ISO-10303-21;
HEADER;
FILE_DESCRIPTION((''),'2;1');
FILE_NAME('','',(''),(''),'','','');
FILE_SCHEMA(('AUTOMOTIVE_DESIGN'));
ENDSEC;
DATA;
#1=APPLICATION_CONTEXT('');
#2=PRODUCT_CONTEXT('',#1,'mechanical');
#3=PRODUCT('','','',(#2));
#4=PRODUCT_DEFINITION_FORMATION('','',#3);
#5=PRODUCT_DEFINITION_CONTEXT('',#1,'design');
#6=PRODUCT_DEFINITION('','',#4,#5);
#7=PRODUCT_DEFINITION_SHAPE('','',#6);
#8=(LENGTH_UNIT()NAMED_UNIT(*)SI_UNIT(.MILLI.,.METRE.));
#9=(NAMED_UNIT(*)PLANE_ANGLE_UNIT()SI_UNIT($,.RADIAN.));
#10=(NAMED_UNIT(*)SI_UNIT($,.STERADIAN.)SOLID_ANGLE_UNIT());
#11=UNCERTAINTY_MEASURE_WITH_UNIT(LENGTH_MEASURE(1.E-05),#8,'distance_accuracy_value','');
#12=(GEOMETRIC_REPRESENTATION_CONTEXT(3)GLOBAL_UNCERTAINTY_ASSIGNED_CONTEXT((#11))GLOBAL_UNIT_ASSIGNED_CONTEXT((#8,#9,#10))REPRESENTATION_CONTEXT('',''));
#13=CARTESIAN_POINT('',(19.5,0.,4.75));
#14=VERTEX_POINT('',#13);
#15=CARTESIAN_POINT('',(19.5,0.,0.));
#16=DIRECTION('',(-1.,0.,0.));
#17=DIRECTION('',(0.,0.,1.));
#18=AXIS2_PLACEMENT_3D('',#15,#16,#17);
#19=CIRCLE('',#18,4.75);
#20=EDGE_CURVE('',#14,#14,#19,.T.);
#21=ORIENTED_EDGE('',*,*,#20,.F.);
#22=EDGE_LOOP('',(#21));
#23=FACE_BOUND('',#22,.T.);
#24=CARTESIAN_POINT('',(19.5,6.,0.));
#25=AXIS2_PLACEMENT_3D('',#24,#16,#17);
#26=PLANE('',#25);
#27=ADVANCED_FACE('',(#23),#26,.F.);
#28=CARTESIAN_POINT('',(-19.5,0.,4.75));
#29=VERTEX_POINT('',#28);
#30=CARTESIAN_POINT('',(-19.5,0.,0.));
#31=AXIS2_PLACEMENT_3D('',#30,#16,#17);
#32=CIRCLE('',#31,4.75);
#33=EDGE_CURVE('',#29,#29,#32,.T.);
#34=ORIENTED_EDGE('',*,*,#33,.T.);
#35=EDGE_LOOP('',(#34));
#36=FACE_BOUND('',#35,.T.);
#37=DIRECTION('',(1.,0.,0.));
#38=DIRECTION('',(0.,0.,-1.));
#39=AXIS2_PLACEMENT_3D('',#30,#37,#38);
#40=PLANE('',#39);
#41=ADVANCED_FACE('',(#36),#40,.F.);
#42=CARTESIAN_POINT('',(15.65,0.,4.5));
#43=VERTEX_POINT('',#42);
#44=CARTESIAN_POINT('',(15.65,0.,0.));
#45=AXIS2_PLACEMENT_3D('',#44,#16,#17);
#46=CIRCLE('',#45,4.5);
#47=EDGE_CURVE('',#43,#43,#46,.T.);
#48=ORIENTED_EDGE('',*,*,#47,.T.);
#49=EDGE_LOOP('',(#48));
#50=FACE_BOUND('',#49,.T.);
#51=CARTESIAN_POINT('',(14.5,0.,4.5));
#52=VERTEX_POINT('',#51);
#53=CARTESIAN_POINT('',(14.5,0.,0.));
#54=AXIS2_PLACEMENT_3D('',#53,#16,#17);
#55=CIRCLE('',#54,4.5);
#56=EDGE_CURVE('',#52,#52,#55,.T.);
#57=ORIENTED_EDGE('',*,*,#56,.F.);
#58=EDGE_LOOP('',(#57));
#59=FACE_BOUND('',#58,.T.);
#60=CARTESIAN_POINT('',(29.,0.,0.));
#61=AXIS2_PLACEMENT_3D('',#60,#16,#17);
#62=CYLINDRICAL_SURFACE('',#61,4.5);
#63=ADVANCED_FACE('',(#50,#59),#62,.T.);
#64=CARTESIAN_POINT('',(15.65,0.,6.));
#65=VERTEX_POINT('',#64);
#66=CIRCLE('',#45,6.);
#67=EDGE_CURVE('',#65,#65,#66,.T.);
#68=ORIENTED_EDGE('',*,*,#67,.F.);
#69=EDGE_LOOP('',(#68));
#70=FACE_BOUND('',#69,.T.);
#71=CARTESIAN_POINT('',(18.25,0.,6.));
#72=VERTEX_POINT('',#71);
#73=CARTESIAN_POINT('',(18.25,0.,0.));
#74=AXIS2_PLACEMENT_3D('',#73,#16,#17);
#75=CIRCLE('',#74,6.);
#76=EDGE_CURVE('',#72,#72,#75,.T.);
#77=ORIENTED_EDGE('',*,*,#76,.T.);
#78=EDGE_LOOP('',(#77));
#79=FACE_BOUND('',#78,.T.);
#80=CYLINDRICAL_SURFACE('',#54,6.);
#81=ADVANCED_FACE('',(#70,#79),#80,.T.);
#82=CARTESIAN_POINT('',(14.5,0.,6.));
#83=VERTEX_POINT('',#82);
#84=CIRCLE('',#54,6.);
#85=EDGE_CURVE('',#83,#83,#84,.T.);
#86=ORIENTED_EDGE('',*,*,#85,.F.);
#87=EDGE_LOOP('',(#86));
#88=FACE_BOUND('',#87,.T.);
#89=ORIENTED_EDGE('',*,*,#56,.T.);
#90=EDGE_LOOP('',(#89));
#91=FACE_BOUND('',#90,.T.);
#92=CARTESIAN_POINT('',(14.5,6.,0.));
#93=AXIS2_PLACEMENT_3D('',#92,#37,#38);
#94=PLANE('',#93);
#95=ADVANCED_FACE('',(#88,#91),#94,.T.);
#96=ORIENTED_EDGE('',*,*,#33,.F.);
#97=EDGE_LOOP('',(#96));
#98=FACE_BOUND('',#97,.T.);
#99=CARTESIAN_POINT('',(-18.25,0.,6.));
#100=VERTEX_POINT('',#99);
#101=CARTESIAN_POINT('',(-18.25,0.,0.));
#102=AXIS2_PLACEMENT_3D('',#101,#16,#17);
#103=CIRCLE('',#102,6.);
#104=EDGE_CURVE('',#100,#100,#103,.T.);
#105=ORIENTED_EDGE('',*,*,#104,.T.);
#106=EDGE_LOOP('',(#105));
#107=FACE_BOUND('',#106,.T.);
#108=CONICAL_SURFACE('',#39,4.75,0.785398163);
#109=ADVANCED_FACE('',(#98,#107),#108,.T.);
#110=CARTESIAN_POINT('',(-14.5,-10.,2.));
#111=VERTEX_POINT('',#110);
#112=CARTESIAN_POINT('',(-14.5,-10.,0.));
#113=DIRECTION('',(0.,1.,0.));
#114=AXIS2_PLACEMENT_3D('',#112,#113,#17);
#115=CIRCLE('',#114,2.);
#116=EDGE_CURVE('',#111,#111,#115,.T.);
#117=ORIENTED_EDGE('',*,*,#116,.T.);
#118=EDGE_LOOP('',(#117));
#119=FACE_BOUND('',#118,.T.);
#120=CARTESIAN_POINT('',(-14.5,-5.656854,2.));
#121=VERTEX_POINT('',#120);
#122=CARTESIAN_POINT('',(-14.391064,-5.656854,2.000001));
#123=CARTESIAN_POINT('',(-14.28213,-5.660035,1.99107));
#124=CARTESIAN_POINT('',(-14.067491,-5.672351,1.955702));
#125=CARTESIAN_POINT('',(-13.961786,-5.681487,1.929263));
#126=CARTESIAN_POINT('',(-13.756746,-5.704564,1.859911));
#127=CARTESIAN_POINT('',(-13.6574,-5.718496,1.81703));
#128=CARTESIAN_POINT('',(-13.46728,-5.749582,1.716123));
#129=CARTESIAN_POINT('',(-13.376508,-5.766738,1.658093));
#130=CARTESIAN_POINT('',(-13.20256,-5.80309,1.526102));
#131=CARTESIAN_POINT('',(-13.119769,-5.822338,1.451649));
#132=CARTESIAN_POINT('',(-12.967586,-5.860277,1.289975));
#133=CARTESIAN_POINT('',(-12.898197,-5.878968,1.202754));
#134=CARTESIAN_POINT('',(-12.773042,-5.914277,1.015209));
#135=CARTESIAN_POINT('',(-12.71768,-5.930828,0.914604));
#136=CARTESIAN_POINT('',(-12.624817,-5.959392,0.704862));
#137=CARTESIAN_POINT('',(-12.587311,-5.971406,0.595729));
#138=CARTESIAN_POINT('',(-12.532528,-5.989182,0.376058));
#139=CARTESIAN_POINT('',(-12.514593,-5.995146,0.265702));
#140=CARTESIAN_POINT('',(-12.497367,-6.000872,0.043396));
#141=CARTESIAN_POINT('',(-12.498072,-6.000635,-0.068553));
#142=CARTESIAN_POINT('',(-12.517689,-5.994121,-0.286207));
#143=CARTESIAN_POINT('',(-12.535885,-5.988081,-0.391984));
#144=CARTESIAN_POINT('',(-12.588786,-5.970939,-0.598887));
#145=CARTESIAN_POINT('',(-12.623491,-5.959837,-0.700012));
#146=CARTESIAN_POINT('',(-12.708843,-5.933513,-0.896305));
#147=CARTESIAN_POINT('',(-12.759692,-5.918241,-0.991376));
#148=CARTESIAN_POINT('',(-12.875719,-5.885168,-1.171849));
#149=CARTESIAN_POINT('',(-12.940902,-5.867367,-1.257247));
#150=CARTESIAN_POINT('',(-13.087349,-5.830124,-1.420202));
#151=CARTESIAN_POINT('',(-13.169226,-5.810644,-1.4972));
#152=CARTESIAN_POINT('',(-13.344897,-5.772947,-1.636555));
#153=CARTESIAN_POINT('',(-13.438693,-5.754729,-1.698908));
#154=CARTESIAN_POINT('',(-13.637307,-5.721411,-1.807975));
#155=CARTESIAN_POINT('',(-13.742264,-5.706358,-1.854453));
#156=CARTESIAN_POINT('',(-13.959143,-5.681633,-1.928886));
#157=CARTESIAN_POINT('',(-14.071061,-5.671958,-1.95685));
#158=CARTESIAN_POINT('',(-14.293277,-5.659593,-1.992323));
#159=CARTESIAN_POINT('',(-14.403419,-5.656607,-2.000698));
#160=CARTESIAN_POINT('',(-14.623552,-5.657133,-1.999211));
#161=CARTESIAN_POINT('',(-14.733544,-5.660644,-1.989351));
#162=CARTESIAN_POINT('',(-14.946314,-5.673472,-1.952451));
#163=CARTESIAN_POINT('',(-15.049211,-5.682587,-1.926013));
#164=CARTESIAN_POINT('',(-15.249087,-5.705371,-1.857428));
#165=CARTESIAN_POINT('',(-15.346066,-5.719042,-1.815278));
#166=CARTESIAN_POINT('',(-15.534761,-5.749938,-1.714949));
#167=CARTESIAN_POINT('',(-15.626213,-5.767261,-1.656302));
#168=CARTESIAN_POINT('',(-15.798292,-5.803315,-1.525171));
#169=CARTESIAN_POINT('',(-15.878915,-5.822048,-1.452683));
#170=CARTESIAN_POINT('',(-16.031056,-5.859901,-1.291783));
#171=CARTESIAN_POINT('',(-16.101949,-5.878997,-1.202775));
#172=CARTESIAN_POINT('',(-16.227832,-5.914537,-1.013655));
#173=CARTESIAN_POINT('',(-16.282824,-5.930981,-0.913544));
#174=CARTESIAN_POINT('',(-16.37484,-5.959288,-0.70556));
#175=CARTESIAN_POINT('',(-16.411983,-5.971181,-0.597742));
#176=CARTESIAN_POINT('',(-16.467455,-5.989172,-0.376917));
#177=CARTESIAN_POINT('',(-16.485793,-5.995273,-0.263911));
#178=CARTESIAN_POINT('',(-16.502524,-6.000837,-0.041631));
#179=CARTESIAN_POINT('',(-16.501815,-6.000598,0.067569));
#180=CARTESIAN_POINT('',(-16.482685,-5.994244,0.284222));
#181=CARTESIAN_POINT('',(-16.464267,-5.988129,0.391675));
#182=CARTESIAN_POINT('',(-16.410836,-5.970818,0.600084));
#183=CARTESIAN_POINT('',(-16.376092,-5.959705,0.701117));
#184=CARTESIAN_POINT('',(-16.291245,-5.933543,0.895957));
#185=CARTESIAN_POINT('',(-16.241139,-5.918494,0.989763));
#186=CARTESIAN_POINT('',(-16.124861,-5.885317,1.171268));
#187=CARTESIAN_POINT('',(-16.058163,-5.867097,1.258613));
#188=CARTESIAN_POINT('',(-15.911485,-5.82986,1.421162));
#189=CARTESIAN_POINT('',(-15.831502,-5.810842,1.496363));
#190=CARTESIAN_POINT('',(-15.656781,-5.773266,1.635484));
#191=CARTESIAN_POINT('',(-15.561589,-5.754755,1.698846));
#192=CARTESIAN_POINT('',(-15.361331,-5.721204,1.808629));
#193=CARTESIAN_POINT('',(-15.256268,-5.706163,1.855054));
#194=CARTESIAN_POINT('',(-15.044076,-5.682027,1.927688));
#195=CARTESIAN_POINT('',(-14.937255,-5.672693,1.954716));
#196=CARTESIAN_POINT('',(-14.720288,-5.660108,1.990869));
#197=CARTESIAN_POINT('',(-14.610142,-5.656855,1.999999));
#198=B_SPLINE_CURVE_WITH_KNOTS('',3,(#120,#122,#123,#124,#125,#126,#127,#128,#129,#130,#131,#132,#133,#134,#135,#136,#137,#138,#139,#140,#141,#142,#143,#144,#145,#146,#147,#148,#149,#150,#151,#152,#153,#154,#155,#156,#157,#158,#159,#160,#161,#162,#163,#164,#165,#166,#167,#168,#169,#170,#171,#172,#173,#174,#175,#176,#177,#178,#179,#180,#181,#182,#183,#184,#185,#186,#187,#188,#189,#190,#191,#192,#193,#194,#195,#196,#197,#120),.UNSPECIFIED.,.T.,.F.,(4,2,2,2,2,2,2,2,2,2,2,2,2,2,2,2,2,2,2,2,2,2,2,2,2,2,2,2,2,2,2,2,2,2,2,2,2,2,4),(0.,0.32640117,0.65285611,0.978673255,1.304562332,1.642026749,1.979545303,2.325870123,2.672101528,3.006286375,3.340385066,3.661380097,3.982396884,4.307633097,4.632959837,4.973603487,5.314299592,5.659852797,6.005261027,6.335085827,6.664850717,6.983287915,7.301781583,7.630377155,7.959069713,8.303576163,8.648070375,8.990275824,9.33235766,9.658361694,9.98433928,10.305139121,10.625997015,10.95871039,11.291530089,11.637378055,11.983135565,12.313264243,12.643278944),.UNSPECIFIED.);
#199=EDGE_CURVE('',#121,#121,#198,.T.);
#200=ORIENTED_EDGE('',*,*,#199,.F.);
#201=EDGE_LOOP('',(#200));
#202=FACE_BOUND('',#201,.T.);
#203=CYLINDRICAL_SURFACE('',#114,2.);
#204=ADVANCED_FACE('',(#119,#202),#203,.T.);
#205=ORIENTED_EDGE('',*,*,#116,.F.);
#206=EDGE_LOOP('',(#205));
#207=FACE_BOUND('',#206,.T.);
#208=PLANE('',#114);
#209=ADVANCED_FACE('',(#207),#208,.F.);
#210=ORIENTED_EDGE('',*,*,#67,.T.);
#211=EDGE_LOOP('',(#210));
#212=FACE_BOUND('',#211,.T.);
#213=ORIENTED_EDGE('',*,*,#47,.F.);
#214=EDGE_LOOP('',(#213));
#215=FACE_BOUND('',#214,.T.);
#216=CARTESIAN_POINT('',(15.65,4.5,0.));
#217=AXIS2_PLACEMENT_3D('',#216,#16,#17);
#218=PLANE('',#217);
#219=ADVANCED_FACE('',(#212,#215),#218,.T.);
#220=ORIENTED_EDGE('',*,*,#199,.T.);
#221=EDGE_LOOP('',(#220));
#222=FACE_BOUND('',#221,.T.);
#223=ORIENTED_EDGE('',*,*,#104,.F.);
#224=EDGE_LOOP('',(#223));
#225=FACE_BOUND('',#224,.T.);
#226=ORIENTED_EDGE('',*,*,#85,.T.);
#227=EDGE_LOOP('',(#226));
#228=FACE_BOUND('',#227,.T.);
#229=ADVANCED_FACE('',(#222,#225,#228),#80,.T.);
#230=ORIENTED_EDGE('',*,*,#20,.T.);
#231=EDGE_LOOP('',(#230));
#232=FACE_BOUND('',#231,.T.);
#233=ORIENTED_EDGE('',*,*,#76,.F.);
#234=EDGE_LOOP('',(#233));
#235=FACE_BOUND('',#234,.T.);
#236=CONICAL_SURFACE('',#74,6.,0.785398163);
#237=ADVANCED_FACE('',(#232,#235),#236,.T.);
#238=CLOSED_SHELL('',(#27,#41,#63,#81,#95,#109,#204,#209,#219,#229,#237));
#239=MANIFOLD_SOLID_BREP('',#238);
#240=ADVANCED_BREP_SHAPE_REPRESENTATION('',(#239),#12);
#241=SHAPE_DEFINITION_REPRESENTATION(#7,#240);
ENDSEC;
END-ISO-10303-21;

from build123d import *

# Parameters (mm, degrees)
SKETCH1_W           = 34
SKETCH1_H           = 6
SKETCH3_R           = 2
BOSS_EXTRUDE1_DEPTH = 10
SKETCH4_W           = 5
SKETCH4_H           = 6
SKETCH5_W           = 1.15
SKETCH5_H           = 1.5


with BuildPart() as part:
    # Sketch1 → Revolve1 (revolve)
    with BuildSketch(Plane.XY):
        with Locations((-2.5, 3)):
            Rectangle(SKETCH1_W, SKETCH1_H)
    revolve(axis=Axis((14.5, 0, 0), (-1, 0, 0)))

    # Sketch2 → Cut-Revolve1 (revolve, cut)
    with BuildSketch(Plane.XY):
        Polygon((-19.5, 4.75), (-18.25, 6), (-19.5, 6), align=None)
    revolve(axis=Axis((29, 0, 0), (-1, 0, 0)), mode=Mode.SUBTRACT)

    # Sketch3 → Boss-Extrude1 (add)
    with BuildSketch(Plane(origin=(0, 0, 0), x_dir=(1, 0, 0), z_dir=(0, 1, 0))):
        with Locations((-14.5, 0)):
            Circle(SKETCH3_R)
    extrude(amount=-BOSS_EXTRUDE1_DEPTH)

    # Sketch4 → Revolve2 (revolve)
    with BuildSketch(Plane.XY):
        with Locations((17, 3)):
            Rectangle(SKETCH4_W, SKETCH4_H)
    revolve(axis=Axis((19.5, 0, 0), (-1, 0, 0)))

    # Sketch5 → Cut-Revolve2 (revolve, cut)
    with BuildSketch(Plane.XY):
        with Locations((15.075, 5.25)):
            Rectangle(SKETCH5_W, SKETCH5_H)
    revolve(axis=Axis((29, 0, 0), (-1, 0, 0)), mode=Mode.SUBTRACT)

    # Sketch6 → Cut-Revolve3 (revolve, cut)
    with BuildSketch(Plane.XY):
        Polygon((18.25, 6), (19.5, 4.75), (19.5, 6), align=None)
    revolve(axis=Axis((29, 0, 0), (-1, 0, 0)), mode=Mode.SUBTRACT)


solid = part.part
